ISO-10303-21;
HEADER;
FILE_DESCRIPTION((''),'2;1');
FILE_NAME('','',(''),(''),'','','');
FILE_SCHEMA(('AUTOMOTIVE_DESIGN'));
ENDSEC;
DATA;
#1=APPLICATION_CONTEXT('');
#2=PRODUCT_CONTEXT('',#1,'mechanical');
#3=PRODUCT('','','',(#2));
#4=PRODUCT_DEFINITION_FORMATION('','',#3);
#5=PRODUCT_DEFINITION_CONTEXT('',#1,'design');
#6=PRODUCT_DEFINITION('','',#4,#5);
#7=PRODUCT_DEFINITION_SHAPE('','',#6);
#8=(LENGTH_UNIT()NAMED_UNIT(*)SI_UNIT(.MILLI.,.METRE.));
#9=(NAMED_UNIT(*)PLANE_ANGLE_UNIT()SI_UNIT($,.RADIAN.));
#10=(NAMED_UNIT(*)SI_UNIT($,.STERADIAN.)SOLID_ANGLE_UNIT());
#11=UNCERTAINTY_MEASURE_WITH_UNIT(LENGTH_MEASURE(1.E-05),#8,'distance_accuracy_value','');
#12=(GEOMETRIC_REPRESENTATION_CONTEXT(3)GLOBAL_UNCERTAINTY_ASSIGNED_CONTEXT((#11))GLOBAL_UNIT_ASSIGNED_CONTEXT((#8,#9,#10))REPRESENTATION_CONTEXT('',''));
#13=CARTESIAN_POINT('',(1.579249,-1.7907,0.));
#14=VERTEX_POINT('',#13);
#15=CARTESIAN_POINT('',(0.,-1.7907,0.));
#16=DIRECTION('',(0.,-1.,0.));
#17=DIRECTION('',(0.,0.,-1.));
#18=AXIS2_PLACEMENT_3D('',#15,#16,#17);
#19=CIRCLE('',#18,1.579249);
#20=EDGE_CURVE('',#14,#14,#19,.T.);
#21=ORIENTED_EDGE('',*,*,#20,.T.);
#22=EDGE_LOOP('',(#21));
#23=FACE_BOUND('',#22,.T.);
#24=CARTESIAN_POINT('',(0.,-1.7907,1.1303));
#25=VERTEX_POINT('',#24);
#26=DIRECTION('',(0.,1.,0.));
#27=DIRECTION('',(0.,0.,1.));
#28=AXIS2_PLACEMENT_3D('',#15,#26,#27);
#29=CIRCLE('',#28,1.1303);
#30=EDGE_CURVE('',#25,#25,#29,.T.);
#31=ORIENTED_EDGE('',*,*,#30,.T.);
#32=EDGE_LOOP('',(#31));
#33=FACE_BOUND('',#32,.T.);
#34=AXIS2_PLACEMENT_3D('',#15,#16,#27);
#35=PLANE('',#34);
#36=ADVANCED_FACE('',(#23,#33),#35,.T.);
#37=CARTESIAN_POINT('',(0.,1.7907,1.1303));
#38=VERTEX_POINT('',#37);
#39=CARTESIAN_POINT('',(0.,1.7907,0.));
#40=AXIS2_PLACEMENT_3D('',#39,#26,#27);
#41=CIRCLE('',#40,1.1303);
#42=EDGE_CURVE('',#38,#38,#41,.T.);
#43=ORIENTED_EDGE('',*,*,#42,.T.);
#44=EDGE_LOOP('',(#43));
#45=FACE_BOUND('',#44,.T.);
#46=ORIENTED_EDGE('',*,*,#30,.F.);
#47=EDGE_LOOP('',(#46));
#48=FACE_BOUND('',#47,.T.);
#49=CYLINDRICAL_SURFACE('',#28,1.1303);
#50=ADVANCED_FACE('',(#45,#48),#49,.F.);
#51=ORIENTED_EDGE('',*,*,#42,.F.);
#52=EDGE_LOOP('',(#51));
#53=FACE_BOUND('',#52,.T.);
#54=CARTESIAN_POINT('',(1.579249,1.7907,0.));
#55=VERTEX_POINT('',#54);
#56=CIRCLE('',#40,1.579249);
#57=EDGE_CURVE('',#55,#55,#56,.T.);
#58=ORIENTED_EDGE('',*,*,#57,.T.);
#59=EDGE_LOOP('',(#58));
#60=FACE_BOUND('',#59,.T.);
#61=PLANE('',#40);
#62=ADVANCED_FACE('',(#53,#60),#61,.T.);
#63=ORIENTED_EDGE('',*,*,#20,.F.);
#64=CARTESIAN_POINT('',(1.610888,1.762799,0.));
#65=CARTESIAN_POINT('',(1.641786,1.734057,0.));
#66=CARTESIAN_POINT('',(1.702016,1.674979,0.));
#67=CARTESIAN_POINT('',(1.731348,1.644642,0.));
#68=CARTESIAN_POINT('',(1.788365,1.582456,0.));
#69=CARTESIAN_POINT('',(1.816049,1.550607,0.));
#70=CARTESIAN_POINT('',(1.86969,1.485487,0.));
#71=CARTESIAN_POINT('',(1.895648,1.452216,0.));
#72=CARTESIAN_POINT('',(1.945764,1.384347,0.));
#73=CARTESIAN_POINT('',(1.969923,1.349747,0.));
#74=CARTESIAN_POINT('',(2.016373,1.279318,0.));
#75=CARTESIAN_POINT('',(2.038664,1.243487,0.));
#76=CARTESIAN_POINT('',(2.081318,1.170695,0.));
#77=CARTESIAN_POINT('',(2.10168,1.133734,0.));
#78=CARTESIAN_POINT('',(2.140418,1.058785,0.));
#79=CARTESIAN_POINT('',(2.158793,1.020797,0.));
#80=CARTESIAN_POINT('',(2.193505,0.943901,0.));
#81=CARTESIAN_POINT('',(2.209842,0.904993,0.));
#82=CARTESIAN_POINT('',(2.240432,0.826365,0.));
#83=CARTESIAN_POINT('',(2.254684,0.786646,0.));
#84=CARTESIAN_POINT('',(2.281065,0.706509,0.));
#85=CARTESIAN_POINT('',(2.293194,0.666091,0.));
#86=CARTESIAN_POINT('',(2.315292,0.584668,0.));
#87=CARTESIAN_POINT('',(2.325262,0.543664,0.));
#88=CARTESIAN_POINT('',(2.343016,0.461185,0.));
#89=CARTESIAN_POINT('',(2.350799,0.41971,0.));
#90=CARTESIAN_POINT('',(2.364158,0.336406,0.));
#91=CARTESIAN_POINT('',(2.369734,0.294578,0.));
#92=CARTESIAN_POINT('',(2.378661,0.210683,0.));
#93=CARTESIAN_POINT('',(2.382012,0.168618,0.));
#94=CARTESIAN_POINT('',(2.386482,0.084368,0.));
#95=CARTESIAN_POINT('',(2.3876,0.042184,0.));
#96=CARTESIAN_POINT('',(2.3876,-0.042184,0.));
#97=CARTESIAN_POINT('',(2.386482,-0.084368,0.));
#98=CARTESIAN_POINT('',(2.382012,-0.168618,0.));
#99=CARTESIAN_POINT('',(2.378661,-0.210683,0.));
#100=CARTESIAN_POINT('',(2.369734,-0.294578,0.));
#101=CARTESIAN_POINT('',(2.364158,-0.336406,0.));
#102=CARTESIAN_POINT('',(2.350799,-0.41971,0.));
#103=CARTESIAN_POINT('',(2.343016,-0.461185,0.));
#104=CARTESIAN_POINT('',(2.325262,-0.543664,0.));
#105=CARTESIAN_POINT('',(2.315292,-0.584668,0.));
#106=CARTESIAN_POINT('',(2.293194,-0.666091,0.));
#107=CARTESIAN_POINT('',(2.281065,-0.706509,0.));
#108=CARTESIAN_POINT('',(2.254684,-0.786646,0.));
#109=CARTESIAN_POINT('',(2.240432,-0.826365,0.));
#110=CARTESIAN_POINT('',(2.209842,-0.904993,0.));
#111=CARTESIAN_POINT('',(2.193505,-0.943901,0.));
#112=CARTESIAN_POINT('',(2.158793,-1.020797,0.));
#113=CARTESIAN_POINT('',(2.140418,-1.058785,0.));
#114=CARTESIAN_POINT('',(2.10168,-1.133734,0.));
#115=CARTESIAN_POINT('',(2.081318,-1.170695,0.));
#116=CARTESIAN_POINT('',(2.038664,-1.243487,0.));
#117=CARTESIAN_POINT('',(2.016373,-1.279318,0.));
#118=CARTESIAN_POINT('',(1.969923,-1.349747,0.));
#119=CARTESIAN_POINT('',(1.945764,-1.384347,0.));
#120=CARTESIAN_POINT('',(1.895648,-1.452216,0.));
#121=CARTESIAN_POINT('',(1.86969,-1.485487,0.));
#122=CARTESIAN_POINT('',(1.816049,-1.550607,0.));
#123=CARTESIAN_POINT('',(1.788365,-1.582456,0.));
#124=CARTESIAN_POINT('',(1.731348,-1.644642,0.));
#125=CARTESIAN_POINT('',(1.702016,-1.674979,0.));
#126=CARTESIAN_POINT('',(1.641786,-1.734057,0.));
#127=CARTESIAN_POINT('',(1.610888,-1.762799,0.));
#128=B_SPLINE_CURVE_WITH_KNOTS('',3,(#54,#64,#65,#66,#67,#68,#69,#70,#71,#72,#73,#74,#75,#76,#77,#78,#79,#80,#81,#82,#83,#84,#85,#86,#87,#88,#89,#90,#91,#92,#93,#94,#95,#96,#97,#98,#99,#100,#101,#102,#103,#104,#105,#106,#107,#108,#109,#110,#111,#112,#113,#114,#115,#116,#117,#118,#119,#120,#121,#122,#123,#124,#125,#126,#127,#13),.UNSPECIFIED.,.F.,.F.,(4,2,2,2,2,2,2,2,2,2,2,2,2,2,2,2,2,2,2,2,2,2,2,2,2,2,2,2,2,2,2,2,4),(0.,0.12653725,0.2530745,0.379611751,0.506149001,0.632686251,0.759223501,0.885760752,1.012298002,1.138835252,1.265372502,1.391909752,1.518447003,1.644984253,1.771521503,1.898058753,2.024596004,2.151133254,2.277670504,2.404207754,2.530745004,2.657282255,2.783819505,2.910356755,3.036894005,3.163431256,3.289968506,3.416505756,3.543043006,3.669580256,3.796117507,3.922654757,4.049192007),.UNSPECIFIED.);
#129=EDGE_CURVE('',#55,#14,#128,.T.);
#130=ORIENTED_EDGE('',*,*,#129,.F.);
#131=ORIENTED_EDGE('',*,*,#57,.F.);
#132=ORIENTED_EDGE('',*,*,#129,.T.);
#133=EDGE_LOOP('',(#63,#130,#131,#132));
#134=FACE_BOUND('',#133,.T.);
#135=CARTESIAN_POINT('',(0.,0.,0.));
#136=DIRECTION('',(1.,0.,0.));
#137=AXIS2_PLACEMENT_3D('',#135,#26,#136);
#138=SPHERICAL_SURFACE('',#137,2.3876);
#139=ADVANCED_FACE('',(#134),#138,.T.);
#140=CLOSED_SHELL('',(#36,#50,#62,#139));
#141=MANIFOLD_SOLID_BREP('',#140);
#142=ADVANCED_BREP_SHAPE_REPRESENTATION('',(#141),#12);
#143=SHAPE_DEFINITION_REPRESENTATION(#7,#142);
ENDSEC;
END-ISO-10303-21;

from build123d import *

# Parameters (mm, degrees)
SKETCH2_R      = 2.3876
EXTRUDE1_DEPTH = 6.3721
SKETCH3_R      = 1.1303
EXTRUDE2_DEPTH = 5.922163496


with BuildPart() as part:
    # Sketch1 → Revolve1 (revolve)
    with BuildSketch(Plane.XY):
        with BuildLine():
            Line((0, 2.3876), (0, -2.3876))
            ThreePointArc((0, -2.3876), (2.3876, 0), (0, 2.3876))
        make_face()
    revolve(axis=Axis((0, 2.3876, 0), (0, -1, 0)))

    # Sketch2 → Extrude1 (cut, through all)
    with BuildSketch(Plane(origin=(0, 1.7907, 0), x_dir=(-1, 0, 0), z_dir=(0, 1, 0))):
        Circle(SKETCH2_R)
    extrude1 = extrude(amount=EXTRUDE1_DEPTH, mode=Mode.SUBTRACT)

    # Mirror1: Extrude1 across plane
    add(extrude1.mirror(Plane.ZX), mode=Mode.SUBTRACT)

    # Sketch3 → Extrude2 (cut, through all)
    with BuildSketch(Plane(origin=(0, 1.7907, 0), x_dir=(-1, 0, 0), z_dir=(0, 1, 0))):
        with Locations(Location((0, 0, 0), (0, 0, 90))):
            Circle(SKETCH3_R)
    extrude(amount=-EXTRUDE2_DEPTH, mode=Mode.SUBTRACT)


solid = part.part
